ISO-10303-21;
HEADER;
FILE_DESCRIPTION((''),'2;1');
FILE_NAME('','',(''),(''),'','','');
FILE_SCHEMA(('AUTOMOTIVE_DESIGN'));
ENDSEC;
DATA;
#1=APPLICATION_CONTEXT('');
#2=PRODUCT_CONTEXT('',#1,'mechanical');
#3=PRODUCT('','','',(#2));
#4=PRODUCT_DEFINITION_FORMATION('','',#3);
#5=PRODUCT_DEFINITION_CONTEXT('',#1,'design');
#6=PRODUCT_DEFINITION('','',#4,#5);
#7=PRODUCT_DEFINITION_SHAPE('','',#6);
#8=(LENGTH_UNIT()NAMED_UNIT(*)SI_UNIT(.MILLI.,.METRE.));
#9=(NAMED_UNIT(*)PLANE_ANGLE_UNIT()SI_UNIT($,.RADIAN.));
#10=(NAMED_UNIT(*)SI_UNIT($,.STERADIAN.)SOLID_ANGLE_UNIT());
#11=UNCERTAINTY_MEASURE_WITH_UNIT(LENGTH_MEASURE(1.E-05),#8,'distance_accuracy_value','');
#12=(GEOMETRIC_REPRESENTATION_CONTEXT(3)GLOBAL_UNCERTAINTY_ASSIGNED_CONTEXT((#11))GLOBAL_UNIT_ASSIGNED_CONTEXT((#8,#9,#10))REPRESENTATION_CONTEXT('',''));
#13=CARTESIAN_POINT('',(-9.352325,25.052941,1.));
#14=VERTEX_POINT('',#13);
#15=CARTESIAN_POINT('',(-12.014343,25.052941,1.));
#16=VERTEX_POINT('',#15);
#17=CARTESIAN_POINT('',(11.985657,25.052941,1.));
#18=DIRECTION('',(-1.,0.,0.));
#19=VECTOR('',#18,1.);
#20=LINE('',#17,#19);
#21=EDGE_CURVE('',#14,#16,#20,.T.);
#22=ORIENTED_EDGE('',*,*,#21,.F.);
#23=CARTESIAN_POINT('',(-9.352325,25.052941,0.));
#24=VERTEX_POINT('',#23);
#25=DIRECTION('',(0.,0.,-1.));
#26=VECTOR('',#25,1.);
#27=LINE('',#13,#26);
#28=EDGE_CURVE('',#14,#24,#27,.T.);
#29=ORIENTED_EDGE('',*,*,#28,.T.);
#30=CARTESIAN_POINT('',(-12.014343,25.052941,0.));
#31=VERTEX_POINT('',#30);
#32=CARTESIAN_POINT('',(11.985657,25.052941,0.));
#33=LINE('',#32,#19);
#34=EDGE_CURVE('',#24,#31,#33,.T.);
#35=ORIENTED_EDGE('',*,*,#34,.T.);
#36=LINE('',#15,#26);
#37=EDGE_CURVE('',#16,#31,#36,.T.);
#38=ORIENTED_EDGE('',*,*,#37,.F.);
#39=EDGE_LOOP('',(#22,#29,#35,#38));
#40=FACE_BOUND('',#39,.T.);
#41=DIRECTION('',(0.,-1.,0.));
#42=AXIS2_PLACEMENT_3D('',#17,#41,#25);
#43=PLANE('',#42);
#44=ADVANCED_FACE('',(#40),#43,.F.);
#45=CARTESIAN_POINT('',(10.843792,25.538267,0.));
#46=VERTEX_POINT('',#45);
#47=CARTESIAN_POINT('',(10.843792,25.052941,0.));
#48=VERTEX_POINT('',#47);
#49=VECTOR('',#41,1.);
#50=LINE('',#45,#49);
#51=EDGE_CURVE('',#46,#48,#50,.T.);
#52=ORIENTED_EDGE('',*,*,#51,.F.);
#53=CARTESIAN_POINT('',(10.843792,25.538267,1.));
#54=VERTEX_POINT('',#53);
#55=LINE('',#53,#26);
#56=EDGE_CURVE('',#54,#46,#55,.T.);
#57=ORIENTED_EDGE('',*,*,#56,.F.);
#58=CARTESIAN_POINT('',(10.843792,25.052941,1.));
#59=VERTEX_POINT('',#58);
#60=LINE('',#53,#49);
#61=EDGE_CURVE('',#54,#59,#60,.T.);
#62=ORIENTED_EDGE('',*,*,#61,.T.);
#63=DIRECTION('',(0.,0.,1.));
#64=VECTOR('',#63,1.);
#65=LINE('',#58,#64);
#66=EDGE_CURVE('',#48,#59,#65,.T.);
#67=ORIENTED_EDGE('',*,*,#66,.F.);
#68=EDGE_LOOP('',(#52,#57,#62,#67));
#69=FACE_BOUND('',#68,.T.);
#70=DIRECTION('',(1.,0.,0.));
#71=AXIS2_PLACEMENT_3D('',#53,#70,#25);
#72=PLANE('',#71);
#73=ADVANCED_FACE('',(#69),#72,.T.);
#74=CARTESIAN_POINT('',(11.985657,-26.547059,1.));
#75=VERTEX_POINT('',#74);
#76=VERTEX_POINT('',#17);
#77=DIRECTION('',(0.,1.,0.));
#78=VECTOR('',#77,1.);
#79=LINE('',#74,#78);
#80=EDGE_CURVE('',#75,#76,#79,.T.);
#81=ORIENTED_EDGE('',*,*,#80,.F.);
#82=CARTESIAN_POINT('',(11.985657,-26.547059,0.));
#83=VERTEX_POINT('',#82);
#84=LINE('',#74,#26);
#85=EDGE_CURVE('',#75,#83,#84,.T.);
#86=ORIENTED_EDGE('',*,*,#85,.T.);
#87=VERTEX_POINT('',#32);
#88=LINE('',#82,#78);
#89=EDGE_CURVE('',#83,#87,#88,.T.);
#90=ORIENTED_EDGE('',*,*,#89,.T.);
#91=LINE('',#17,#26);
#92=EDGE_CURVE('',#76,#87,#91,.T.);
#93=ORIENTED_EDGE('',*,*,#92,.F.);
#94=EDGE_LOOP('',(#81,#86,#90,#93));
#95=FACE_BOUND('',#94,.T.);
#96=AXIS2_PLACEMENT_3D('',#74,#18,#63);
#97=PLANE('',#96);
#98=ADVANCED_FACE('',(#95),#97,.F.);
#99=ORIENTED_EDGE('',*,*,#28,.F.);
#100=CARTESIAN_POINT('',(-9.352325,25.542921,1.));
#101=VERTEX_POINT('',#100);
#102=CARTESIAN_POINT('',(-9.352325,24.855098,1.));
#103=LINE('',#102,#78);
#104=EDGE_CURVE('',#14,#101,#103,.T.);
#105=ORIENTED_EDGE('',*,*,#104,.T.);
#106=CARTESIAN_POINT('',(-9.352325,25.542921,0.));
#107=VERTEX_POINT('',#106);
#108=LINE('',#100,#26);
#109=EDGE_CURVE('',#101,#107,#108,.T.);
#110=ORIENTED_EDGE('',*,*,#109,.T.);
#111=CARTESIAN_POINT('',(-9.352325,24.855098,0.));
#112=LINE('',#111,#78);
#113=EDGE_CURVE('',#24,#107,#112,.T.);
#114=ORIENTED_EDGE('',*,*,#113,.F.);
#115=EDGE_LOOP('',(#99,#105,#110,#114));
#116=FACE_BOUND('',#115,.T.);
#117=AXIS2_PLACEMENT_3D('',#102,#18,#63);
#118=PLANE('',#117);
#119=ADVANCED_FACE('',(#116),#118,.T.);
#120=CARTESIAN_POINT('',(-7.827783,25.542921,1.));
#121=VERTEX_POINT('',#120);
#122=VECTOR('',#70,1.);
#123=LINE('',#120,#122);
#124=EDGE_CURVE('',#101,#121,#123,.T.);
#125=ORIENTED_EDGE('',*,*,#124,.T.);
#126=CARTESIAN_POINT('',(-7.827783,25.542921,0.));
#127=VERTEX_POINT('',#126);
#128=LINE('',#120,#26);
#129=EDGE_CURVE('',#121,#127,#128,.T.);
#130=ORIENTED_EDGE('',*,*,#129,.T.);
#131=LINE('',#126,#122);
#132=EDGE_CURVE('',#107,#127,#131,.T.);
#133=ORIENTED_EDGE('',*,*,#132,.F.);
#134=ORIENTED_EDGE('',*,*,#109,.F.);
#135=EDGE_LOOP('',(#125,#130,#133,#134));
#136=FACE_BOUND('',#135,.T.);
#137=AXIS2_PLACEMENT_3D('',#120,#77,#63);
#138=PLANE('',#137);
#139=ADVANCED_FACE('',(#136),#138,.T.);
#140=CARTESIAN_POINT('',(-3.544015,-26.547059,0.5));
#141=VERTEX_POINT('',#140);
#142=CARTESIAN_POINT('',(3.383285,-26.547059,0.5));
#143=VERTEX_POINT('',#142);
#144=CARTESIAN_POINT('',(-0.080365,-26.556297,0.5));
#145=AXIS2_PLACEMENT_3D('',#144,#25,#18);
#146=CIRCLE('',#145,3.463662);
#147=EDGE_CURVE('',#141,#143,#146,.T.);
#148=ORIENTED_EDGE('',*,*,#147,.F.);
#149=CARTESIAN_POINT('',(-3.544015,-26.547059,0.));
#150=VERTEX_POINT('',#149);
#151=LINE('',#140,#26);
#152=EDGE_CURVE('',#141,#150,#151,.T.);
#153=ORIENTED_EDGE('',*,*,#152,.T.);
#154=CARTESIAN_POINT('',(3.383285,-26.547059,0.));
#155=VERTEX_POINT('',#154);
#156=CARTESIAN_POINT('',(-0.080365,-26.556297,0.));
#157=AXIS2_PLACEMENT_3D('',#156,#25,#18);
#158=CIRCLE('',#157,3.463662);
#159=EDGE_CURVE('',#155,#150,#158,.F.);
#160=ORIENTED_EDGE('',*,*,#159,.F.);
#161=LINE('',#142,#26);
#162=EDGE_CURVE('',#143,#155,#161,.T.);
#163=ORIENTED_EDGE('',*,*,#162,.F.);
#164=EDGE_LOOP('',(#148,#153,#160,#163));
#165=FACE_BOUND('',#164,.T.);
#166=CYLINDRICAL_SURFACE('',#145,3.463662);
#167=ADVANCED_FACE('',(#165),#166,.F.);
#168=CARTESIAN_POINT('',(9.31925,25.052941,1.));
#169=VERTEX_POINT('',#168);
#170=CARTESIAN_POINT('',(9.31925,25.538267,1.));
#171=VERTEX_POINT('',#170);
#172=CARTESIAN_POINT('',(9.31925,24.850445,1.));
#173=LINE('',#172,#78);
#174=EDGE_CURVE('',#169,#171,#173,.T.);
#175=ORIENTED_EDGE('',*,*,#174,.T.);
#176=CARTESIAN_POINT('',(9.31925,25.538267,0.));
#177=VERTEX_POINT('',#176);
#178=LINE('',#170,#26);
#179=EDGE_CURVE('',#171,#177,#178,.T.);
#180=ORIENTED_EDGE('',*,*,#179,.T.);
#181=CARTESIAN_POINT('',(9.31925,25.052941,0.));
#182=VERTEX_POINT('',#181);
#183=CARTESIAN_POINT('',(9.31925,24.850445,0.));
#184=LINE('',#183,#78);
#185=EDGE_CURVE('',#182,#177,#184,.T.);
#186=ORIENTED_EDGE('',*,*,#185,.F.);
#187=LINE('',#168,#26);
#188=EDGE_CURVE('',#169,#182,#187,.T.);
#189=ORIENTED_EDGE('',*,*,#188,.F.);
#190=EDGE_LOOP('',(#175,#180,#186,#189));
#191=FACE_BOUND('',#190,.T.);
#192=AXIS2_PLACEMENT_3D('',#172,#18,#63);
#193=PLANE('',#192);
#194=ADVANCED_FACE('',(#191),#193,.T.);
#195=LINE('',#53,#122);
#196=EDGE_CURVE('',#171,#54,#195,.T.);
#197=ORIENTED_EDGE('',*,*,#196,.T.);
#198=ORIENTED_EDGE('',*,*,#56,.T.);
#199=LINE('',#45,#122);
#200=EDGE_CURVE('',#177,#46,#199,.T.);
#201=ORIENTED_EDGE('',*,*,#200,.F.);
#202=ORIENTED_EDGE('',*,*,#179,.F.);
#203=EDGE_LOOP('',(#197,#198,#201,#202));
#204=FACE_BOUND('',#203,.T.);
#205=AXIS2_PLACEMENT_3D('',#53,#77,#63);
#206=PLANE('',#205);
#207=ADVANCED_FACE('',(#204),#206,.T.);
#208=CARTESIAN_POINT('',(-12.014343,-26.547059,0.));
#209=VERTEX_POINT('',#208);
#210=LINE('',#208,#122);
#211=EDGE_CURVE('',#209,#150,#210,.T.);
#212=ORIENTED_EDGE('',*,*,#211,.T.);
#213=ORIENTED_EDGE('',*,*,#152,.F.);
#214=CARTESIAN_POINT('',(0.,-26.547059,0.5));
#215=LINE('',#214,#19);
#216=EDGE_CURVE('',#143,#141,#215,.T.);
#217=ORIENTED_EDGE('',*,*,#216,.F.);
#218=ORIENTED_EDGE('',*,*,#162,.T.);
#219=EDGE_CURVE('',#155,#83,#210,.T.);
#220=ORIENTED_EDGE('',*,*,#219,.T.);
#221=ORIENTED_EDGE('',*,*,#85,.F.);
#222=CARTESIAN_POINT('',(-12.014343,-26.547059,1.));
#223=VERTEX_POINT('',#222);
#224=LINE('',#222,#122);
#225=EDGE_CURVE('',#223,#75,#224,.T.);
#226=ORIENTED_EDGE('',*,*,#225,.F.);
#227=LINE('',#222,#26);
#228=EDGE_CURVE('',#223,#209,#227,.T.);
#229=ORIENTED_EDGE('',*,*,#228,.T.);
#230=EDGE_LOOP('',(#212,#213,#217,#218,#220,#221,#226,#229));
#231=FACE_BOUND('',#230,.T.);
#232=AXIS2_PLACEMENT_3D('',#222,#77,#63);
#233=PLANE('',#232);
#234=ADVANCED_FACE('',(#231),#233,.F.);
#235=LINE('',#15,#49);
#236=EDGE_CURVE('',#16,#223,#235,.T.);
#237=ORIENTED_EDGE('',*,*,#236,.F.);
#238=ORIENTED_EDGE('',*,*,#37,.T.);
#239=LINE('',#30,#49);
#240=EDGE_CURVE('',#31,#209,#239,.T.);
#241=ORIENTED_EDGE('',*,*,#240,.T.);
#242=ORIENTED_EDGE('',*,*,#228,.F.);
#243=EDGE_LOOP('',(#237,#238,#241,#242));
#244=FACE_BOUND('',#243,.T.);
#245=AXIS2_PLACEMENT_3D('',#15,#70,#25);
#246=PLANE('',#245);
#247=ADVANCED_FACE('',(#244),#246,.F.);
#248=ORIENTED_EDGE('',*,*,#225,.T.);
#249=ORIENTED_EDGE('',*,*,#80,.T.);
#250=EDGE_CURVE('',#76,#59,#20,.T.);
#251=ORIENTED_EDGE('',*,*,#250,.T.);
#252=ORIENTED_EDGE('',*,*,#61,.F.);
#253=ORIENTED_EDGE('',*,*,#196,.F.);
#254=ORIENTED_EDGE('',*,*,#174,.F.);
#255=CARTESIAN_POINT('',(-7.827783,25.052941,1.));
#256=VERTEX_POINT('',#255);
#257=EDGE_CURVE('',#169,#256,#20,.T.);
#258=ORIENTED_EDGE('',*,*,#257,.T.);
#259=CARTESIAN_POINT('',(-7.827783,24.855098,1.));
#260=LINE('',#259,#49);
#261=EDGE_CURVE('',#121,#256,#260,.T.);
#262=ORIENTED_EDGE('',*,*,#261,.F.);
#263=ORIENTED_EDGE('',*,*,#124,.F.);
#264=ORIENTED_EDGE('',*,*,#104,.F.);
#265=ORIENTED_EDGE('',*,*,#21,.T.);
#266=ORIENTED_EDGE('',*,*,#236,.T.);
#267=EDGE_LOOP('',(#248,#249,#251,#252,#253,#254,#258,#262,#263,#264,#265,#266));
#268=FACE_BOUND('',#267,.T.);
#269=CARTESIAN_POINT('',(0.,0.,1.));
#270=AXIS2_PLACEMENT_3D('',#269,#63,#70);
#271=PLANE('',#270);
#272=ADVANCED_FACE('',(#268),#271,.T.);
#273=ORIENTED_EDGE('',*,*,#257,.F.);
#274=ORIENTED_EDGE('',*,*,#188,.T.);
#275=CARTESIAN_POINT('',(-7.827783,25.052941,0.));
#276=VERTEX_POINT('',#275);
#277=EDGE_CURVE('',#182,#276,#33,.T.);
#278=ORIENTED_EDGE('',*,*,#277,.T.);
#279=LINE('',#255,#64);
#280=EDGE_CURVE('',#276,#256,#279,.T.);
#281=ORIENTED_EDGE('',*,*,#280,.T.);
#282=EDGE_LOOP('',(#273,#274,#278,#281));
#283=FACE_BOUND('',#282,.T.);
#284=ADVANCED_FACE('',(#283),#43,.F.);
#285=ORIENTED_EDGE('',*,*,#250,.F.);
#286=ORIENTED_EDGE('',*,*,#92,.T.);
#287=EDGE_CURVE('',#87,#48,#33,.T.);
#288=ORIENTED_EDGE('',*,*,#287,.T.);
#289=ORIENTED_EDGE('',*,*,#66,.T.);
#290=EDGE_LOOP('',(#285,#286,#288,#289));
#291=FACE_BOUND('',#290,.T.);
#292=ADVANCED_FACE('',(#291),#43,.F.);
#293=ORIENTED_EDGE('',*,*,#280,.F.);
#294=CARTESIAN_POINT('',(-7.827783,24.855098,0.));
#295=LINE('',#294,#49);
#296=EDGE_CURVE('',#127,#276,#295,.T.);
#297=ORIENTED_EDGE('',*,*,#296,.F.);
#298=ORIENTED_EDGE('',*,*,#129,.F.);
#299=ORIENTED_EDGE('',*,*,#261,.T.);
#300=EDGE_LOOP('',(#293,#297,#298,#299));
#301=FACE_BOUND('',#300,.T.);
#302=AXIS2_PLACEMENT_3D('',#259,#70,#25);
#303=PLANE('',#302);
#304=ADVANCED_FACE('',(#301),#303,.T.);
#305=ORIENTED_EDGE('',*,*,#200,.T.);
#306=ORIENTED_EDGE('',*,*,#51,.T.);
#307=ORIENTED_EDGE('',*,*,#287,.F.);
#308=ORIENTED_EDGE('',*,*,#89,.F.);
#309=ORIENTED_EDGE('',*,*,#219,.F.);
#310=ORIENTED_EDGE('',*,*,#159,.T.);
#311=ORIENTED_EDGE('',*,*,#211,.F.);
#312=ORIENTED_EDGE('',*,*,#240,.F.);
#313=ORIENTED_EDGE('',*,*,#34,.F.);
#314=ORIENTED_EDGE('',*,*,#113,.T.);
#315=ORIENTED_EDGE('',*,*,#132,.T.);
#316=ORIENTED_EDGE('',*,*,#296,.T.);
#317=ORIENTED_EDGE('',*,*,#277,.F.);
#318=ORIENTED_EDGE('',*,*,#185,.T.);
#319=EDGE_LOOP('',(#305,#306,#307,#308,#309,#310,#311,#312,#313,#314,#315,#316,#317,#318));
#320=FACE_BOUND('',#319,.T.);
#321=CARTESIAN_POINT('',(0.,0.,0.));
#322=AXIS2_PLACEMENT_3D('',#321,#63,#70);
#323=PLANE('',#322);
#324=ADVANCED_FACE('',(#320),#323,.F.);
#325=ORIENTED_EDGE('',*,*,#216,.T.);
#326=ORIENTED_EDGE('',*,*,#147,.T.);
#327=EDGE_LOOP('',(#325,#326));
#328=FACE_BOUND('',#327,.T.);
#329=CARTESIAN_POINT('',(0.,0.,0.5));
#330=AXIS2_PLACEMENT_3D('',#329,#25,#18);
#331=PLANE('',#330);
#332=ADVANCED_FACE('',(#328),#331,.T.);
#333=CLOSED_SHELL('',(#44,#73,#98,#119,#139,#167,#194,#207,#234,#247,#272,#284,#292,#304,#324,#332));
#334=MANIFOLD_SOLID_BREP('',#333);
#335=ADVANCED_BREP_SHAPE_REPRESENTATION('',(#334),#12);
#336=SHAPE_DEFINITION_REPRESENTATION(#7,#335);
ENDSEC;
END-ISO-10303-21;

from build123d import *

# Parameters (mm, degrees)
SKETCH1_W               = 24
SKETCH1_H               = 51.6
BOSS_EXTRUDE1_DEPTH     = 1
SKETCH2_W               = 1.52454199
SKETCH2_H               = 0.68782272
BOSS_EXTRUDE2_DEPTH     = 1
CUT_EXTRUDE1_DEPTH      = 30.156315931
CUT_EXTRUDE1_DEPTH_BACK = 0.5


with BuildPart() as part:
    # Sketch1 → Boss-Extrude1 (new body)
    with BuildSketch(Plane.XY):
        with Locations((-0.014342532, -0.747058824)):
            Rectangle(SKETCH1_W, SKETCH1_H)
    extrude(amount=BOSS_EXTRUDE1_DEPTH)

    # Sketch2 → Boss-Extrude2 (add)
    with BuildSketch(Plane(origin=(0, 0, 0), x_dir=(-1, 0, 0), z_dir=(0, 0, -1))):
        with Locations((-10.081520714, 25.194355877)):
            Rectangle(SKETCH2_W, SKETCH2_H)
        with Locations((8.590054208, 25.199009148)):
            Rectangle(SKETCH2_W, SKETCH2_H)
    extrude(amount=-BOSS_EXTRUDE2_DEPTH)

    # Sketch3 → Cut-Extrude1 (cut, two sides: drawn at the far end of the back side and taken through both)
    with BuildSketch(Plane(origin=(0, 0, 0), x_dir=(-1, 0, 0), z_dir=(0, 0, -1)).offset(-CUT_EXTRUDE1_DEPTH_BACK)):
        with BuildLine():
            Line((-3.38328462, -26.547058824), (3.544014575, -26.547058824))
            ThreePointArc((3.544014575, -26.547058824), (0.080364977, -23.092635137), (-3.38328462, -26.547058824))
        make_face()
    extrude(amount=CUT_EXTRUDE1_DEPTH + CUT_EXTRUDE1_DEPTH_BACK, mode=Mode.SUBTRACT)


solid = part.part
